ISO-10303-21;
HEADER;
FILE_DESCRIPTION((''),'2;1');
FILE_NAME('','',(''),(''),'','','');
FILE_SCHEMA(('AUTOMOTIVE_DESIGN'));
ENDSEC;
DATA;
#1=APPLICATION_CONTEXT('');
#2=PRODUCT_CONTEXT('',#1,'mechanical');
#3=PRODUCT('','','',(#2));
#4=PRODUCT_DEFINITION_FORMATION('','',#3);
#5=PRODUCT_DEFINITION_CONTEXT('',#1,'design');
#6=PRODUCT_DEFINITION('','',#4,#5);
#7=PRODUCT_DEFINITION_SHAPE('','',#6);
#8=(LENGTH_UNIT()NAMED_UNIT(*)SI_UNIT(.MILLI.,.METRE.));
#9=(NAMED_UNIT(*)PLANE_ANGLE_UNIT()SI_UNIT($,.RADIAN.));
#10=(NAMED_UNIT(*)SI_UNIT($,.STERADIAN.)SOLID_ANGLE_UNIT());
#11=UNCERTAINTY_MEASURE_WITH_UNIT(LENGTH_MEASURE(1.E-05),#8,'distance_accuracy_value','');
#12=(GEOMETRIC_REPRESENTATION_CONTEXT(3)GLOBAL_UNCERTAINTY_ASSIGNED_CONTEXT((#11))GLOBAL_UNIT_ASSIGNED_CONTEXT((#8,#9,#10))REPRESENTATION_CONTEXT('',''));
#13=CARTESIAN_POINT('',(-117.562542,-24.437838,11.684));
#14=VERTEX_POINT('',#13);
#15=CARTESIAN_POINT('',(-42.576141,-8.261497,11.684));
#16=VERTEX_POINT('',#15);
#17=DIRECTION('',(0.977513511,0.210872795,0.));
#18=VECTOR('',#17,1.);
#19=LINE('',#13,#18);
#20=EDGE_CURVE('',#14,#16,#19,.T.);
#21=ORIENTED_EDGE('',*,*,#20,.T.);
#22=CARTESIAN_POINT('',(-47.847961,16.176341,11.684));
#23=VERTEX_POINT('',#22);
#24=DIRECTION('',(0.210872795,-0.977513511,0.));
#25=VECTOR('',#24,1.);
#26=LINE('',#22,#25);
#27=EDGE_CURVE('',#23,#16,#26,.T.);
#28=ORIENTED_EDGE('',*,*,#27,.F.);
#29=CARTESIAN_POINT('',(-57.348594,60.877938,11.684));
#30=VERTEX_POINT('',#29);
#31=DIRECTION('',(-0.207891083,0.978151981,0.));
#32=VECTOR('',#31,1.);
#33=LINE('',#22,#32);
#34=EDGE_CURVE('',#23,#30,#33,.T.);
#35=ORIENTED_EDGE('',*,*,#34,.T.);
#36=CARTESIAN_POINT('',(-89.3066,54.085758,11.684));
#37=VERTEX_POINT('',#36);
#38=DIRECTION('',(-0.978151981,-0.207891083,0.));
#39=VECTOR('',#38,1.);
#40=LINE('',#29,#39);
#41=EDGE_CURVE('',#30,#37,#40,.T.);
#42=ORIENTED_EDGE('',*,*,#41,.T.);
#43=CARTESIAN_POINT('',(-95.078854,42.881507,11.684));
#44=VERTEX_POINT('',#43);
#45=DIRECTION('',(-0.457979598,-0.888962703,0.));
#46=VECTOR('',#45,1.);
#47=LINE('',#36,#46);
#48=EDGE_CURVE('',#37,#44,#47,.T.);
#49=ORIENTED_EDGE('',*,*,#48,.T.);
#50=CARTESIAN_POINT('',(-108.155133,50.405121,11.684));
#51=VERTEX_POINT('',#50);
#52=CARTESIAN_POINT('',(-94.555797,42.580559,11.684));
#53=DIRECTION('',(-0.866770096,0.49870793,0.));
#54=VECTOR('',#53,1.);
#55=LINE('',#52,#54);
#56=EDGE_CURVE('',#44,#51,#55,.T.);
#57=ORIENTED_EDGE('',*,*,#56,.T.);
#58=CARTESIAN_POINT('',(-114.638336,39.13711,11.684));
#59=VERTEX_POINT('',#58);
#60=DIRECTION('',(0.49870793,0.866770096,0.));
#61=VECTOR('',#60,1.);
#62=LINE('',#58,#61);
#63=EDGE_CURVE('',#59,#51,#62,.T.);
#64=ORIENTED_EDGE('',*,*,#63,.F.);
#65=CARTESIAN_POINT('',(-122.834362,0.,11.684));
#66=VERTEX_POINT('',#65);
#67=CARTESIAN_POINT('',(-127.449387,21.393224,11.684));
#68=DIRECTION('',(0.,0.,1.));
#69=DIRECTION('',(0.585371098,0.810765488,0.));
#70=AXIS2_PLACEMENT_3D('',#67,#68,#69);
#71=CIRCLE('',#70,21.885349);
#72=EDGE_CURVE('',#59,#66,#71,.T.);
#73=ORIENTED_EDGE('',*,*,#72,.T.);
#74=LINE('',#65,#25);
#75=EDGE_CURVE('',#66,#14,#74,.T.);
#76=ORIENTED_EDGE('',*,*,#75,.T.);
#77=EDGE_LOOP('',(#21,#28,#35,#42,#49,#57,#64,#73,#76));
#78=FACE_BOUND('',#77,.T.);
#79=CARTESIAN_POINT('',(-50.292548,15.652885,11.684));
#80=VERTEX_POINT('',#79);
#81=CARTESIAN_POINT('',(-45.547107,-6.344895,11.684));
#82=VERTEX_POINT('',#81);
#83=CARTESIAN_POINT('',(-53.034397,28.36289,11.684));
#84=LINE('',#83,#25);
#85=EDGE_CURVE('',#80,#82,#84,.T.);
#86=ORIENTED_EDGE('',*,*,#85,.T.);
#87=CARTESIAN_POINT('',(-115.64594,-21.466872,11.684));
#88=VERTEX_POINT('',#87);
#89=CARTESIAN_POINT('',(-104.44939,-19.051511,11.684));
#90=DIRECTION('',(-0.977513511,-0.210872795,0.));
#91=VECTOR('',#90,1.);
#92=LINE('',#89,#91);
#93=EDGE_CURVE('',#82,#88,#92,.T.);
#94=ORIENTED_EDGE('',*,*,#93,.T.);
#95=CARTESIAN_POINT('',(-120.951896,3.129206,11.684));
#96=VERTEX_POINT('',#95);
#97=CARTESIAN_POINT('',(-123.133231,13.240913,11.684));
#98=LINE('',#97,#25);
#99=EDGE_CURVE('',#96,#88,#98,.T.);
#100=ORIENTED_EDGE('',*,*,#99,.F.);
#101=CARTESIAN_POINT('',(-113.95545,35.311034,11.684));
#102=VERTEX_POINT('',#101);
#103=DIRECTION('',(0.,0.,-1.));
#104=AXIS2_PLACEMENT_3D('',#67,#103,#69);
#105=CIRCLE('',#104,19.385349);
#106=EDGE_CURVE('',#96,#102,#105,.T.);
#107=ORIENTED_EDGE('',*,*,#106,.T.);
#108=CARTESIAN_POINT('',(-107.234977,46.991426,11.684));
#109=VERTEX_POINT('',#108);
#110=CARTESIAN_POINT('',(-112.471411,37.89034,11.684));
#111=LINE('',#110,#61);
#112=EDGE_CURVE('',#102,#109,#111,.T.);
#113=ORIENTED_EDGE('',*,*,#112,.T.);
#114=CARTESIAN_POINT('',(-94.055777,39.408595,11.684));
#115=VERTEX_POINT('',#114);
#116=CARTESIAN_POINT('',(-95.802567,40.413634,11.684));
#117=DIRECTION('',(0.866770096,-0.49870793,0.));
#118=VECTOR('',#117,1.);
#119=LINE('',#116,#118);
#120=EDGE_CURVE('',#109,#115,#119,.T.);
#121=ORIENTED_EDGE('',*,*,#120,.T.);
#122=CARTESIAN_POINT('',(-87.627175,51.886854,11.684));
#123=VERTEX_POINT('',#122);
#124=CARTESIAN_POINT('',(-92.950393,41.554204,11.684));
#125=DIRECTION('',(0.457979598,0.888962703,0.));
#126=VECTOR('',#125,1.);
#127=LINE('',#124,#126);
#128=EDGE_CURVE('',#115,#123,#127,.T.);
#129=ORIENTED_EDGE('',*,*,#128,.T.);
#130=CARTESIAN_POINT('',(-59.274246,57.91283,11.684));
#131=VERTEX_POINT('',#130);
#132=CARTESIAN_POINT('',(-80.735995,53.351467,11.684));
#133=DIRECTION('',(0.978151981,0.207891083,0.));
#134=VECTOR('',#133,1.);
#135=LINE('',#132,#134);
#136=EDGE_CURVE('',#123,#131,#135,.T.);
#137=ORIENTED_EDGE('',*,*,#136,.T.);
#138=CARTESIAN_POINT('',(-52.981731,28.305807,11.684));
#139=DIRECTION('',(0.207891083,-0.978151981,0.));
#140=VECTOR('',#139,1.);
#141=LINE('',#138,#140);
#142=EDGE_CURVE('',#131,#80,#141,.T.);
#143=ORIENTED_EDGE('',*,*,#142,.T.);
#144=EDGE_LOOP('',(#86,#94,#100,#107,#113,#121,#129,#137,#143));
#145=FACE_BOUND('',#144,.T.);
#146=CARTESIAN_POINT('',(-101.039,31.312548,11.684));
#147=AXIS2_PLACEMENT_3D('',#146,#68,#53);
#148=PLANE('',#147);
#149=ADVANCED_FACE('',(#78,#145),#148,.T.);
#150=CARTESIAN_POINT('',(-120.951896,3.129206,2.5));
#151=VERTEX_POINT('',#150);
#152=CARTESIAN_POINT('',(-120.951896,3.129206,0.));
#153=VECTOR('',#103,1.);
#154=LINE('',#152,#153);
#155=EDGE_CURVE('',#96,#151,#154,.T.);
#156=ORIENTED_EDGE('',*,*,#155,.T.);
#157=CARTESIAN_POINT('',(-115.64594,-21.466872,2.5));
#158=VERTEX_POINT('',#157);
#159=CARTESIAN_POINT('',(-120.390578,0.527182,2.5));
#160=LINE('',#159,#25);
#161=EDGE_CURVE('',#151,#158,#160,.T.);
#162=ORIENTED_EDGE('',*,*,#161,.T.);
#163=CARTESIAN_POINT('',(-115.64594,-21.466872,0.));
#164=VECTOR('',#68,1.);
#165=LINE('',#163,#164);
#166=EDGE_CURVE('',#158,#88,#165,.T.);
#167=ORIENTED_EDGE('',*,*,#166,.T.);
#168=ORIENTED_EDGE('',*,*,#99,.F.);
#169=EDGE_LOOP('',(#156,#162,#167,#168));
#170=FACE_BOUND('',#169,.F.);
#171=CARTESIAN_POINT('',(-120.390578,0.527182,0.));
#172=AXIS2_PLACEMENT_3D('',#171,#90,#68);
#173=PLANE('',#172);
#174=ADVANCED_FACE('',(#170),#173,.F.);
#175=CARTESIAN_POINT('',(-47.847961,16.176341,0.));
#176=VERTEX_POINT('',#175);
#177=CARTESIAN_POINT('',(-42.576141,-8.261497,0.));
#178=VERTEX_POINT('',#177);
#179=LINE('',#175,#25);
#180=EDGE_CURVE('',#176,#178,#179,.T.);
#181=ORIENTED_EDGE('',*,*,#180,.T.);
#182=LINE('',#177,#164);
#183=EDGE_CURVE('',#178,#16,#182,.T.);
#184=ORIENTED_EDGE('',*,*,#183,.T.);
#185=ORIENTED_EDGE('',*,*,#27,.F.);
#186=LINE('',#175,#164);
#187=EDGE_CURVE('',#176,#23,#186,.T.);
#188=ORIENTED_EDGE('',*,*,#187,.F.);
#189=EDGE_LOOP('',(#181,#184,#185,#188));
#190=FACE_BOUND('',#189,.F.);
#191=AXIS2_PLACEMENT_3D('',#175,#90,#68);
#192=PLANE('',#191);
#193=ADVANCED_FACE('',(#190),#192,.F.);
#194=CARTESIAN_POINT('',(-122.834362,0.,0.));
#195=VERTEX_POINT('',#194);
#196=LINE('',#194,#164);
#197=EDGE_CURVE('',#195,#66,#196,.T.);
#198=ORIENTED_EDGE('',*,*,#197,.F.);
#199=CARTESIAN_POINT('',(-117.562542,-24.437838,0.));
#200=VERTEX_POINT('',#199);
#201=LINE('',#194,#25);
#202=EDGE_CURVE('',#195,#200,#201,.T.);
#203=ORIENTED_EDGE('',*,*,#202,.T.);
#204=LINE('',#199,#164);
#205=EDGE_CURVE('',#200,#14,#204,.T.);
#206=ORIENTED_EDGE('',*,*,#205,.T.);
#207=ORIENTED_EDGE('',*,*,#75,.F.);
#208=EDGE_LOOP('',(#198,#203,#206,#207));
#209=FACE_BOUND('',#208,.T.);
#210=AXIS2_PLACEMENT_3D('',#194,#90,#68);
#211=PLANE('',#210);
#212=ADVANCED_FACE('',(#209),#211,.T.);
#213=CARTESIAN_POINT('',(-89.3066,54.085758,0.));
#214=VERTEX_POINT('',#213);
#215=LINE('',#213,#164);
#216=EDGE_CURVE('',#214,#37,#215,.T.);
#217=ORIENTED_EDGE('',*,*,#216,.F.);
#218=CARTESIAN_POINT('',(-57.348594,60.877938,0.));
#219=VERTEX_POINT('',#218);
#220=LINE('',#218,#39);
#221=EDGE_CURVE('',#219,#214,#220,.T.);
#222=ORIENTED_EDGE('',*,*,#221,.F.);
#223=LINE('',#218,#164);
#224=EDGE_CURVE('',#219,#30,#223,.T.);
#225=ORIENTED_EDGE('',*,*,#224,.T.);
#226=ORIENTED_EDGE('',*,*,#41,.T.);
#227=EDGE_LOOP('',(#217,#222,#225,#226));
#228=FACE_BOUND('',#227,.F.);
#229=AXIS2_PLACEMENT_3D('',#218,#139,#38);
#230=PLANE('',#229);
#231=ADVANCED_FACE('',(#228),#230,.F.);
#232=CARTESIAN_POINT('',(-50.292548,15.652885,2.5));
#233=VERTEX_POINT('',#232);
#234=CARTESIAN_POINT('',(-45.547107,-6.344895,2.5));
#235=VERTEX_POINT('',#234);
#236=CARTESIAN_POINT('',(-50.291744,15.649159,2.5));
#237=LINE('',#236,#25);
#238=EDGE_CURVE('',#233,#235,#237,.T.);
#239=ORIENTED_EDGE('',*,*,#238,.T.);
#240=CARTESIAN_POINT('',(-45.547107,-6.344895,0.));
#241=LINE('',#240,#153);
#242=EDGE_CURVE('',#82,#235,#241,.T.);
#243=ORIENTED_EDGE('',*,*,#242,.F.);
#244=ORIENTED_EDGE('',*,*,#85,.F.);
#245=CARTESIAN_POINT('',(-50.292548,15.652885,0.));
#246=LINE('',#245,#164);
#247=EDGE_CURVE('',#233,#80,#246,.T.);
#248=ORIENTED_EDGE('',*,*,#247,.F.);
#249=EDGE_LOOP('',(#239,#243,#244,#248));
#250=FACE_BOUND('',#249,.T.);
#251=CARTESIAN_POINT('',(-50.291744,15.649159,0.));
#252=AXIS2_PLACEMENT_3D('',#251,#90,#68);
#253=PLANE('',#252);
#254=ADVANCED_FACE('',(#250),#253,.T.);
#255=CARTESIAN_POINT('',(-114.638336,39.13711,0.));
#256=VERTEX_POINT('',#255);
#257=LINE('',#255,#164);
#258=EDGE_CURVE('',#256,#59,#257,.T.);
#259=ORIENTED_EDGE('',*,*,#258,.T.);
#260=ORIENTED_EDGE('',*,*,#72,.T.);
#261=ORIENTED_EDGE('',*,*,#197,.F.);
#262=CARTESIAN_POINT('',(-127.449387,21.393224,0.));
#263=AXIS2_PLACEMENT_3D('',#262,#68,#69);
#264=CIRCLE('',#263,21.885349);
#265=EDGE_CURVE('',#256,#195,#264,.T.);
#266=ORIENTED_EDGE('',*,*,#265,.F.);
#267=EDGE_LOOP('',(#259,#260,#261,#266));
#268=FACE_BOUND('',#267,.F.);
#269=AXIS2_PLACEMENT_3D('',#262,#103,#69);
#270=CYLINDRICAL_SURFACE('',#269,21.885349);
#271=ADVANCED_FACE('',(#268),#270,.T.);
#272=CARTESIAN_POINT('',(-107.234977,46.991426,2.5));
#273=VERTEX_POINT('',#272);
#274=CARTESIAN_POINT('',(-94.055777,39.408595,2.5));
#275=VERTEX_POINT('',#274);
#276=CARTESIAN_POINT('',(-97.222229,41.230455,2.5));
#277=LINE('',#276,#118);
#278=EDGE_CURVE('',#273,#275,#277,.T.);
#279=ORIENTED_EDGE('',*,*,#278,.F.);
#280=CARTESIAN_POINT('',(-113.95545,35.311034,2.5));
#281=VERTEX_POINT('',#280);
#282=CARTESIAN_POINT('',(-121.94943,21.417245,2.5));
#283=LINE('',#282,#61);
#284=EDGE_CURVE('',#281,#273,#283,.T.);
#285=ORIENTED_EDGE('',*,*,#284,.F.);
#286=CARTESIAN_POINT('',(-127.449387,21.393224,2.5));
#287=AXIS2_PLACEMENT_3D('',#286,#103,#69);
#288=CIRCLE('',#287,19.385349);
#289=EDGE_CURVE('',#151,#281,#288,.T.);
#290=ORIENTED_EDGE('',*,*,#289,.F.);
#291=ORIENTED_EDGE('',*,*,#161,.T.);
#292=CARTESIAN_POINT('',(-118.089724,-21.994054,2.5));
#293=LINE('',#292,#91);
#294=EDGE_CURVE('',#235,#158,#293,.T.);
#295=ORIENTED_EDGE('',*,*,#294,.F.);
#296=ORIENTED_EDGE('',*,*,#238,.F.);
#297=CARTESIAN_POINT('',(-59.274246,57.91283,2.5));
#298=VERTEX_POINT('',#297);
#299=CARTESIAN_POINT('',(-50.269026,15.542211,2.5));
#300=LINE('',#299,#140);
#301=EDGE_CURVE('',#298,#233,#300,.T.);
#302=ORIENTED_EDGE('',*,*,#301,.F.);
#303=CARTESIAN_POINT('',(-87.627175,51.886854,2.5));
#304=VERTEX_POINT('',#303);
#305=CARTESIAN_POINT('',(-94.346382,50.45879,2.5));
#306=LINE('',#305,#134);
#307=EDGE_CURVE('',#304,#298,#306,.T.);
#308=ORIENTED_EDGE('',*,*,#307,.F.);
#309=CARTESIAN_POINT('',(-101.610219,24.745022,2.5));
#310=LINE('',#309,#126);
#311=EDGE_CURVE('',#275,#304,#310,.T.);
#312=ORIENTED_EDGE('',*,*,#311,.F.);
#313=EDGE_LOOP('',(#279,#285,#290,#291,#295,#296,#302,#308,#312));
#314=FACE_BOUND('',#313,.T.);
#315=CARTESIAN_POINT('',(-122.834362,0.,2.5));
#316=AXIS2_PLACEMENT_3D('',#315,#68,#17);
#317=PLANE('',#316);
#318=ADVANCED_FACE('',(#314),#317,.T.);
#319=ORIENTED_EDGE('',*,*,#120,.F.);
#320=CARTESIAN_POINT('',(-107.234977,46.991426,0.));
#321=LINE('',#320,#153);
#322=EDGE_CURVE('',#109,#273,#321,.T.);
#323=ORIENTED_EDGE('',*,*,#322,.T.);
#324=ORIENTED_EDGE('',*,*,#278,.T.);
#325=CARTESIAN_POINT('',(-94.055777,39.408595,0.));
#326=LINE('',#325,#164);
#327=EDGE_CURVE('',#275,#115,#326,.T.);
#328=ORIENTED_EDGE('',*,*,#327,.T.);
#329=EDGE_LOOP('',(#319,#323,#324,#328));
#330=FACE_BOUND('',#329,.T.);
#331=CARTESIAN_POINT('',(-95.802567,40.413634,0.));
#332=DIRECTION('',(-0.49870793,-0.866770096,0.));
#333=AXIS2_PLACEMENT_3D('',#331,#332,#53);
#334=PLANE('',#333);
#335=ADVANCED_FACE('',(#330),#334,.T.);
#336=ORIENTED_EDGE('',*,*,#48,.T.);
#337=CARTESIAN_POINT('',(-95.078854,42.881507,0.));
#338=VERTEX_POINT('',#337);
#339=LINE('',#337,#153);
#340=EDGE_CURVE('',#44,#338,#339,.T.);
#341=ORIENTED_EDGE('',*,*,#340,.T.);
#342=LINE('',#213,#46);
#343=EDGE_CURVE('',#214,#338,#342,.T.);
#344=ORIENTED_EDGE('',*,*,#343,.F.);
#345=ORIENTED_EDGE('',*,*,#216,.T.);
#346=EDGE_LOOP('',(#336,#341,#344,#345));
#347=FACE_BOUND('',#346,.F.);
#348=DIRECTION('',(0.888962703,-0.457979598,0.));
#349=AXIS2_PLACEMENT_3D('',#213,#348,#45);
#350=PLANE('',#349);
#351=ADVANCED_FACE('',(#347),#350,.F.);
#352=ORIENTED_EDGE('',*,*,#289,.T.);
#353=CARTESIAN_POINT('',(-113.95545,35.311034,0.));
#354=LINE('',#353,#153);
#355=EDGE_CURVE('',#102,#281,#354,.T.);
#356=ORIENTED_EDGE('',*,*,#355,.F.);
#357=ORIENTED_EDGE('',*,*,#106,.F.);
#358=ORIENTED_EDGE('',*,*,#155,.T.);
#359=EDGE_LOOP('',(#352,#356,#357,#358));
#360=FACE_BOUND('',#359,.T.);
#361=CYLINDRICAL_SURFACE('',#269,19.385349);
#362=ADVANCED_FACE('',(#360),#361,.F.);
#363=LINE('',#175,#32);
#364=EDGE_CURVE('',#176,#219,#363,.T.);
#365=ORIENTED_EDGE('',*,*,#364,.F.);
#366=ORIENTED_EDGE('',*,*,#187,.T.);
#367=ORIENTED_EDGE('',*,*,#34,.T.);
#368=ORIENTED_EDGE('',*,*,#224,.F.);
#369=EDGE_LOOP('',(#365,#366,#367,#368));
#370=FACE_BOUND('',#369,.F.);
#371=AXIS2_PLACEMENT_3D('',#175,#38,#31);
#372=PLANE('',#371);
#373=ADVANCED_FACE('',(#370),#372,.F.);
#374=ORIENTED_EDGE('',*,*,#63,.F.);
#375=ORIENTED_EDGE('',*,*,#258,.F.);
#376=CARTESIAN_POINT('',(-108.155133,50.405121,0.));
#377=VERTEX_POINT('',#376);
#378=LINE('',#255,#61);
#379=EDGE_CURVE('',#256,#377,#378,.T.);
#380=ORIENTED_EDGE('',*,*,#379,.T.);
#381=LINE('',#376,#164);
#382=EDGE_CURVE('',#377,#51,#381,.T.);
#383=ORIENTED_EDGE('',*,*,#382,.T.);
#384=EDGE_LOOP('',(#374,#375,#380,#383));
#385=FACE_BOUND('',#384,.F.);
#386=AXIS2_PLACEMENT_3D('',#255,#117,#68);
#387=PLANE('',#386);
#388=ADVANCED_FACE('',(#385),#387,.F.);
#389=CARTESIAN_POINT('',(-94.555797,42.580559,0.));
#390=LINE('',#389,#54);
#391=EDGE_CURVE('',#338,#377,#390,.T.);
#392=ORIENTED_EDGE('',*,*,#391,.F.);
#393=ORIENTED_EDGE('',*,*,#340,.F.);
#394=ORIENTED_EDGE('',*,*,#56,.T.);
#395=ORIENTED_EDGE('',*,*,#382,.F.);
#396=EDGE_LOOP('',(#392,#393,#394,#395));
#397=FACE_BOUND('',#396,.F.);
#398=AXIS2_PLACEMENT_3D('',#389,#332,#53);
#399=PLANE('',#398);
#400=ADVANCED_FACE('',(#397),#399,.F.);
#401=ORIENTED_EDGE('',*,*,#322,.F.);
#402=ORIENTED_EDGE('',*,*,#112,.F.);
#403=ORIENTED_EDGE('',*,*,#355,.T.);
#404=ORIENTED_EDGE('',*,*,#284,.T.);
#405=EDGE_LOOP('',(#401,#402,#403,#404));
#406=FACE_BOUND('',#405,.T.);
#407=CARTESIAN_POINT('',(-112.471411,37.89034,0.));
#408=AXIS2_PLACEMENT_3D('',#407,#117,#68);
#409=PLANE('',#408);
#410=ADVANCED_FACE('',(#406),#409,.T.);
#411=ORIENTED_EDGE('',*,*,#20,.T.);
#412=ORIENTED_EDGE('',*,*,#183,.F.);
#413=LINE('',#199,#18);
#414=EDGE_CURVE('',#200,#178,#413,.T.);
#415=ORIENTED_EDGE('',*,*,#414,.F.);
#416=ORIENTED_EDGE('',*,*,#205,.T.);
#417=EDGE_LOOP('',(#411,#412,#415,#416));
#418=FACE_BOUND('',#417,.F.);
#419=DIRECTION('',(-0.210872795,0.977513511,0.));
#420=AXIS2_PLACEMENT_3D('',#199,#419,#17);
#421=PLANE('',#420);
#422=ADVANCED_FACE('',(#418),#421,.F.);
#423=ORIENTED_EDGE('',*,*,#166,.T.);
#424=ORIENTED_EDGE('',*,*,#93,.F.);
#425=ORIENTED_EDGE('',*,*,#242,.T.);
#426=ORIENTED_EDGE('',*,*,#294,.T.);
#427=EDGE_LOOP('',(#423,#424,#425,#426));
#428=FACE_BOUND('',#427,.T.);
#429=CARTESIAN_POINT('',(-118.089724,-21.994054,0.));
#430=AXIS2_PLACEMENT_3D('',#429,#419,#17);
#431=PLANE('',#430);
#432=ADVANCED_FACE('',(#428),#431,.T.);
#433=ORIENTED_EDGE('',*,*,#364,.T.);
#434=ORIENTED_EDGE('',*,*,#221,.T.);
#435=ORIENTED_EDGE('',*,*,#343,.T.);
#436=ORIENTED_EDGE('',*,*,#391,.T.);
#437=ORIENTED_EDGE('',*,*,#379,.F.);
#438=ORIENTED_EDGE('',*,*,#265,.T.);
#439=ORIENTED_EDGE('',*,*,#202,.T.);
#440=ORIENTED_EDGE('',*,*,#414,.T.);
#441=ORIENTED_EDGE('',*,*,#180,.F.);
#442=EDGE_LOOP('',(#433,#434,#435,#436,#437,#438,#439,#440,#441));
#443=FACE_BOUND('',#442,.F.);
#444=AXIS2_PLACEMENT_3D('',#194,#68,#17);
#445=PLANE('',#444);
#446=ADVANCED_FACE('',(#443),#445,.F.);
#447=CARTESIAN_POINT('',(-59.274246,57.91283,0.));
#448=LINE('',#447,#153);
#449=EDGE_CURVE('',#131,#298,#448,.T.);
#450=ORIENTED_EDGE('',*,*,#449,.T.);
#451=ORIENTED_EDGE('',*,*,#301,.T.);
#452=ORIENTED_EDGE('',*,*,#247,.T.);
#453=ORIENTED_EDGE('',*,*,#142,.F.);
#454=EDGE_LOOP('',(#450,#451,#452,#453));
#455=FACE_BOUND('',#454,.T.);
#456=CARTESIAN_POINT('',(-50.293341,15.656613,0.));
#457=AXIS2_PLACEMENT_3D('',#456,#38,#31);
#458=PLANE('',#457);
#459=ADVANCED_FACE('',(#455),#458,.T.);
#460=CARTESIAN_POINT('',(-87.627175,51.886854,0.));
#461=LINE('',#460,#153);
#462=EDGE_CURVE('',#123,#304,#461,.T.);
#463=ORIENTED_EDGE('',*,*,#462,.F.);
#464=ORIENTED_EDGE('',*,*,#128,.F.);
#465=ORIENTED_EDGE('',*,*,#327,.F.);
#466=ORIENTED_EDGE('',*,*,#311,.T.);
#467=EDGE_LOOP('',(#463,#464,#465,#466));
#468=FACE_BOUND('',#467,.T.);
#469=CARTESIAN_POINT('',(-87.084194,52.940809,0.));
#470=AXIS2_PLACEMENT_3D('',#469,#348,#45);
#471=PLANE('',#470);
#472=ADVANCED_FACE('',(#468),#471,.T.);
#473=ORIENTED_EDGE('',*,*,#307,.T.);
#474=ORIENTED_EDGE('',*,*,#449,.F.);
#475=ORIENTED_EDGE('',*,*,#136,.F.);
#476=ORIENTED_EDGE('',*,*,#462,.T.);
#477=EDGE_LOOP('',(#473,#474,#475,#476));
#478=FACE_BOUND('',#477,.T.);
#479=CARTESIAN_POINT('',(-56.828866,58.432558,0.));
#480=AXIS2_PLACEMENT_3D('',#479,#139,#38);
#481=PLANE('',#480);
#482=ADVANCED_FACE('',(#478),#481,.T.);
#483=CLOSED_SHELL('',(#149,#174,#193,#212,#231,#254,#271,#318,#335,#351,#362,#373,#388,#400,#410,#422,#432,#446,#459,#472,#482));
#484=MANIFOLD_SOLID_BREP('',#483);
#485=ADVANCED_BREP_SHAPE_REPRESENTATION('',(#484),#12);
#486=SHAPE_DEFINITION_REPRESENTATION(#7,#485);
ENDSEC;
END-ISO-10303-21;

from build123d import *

# Parameters (mm, degrees)
F1_DEPTH = 11.684
F2_DEPTH = 25
F3_DEPTH = 13
F4_T     = -2.5


with BuildPart() as f1:
    # F0 (on Top) → F1 (new body)
    with BuildSketch(Plane.XY):
        with BuildLine():
            Line((-101.0389998555, 31.3125476241), (-114.6383360028, 39.1371101141))
            ThreePointArc((-114.6383360028, 39.1371101141), (-148.8700631478, 25.8791054822), (-122.8343620896, 0))
            Line((-122.8343620896, 0), (-47.8479606974, 16.1763411877))
            Line((-47.8479606974, 16.1763411877), (-57.3485940695, 60.8779378235))
            Line((-57.3485940695, 60.8779378235), (-89.3066003919, 54.0857575834))
            Line((-89.3066003919, 54.0857575834), (-101.0389998555, 31.3125476241))
        make_face()
    extrude(amount=F1_DEPTH)

    # F2 (add): a face of the model
    f2_faces = [f1.faces().sort_by_distance(p)[0] for p in [
        (-85.3411613935, 8.0881705939, 5.842),
    ]]
    extrude(f2_faces, amount=F2_DEPTH)

    # F3 (add): a face of the model
    f3_faces = [f1.faces().sort_by_distance(p)[0] for p in [
        (-107.8386679292, 35.2248288691, 5.842),
    ]]
    extrude(f3_faces, amount=F3_DEPTH)

    # F4
    f4_openings = [f1.faces().sort_by_distance(p)[0] for p in [
        (-92.967353, 17.456515, 11.684),
    ]]
    offset(amount=F4_T, openings=f4_openings, kind=Kind.INTERSECTION)


solid = f1.part
